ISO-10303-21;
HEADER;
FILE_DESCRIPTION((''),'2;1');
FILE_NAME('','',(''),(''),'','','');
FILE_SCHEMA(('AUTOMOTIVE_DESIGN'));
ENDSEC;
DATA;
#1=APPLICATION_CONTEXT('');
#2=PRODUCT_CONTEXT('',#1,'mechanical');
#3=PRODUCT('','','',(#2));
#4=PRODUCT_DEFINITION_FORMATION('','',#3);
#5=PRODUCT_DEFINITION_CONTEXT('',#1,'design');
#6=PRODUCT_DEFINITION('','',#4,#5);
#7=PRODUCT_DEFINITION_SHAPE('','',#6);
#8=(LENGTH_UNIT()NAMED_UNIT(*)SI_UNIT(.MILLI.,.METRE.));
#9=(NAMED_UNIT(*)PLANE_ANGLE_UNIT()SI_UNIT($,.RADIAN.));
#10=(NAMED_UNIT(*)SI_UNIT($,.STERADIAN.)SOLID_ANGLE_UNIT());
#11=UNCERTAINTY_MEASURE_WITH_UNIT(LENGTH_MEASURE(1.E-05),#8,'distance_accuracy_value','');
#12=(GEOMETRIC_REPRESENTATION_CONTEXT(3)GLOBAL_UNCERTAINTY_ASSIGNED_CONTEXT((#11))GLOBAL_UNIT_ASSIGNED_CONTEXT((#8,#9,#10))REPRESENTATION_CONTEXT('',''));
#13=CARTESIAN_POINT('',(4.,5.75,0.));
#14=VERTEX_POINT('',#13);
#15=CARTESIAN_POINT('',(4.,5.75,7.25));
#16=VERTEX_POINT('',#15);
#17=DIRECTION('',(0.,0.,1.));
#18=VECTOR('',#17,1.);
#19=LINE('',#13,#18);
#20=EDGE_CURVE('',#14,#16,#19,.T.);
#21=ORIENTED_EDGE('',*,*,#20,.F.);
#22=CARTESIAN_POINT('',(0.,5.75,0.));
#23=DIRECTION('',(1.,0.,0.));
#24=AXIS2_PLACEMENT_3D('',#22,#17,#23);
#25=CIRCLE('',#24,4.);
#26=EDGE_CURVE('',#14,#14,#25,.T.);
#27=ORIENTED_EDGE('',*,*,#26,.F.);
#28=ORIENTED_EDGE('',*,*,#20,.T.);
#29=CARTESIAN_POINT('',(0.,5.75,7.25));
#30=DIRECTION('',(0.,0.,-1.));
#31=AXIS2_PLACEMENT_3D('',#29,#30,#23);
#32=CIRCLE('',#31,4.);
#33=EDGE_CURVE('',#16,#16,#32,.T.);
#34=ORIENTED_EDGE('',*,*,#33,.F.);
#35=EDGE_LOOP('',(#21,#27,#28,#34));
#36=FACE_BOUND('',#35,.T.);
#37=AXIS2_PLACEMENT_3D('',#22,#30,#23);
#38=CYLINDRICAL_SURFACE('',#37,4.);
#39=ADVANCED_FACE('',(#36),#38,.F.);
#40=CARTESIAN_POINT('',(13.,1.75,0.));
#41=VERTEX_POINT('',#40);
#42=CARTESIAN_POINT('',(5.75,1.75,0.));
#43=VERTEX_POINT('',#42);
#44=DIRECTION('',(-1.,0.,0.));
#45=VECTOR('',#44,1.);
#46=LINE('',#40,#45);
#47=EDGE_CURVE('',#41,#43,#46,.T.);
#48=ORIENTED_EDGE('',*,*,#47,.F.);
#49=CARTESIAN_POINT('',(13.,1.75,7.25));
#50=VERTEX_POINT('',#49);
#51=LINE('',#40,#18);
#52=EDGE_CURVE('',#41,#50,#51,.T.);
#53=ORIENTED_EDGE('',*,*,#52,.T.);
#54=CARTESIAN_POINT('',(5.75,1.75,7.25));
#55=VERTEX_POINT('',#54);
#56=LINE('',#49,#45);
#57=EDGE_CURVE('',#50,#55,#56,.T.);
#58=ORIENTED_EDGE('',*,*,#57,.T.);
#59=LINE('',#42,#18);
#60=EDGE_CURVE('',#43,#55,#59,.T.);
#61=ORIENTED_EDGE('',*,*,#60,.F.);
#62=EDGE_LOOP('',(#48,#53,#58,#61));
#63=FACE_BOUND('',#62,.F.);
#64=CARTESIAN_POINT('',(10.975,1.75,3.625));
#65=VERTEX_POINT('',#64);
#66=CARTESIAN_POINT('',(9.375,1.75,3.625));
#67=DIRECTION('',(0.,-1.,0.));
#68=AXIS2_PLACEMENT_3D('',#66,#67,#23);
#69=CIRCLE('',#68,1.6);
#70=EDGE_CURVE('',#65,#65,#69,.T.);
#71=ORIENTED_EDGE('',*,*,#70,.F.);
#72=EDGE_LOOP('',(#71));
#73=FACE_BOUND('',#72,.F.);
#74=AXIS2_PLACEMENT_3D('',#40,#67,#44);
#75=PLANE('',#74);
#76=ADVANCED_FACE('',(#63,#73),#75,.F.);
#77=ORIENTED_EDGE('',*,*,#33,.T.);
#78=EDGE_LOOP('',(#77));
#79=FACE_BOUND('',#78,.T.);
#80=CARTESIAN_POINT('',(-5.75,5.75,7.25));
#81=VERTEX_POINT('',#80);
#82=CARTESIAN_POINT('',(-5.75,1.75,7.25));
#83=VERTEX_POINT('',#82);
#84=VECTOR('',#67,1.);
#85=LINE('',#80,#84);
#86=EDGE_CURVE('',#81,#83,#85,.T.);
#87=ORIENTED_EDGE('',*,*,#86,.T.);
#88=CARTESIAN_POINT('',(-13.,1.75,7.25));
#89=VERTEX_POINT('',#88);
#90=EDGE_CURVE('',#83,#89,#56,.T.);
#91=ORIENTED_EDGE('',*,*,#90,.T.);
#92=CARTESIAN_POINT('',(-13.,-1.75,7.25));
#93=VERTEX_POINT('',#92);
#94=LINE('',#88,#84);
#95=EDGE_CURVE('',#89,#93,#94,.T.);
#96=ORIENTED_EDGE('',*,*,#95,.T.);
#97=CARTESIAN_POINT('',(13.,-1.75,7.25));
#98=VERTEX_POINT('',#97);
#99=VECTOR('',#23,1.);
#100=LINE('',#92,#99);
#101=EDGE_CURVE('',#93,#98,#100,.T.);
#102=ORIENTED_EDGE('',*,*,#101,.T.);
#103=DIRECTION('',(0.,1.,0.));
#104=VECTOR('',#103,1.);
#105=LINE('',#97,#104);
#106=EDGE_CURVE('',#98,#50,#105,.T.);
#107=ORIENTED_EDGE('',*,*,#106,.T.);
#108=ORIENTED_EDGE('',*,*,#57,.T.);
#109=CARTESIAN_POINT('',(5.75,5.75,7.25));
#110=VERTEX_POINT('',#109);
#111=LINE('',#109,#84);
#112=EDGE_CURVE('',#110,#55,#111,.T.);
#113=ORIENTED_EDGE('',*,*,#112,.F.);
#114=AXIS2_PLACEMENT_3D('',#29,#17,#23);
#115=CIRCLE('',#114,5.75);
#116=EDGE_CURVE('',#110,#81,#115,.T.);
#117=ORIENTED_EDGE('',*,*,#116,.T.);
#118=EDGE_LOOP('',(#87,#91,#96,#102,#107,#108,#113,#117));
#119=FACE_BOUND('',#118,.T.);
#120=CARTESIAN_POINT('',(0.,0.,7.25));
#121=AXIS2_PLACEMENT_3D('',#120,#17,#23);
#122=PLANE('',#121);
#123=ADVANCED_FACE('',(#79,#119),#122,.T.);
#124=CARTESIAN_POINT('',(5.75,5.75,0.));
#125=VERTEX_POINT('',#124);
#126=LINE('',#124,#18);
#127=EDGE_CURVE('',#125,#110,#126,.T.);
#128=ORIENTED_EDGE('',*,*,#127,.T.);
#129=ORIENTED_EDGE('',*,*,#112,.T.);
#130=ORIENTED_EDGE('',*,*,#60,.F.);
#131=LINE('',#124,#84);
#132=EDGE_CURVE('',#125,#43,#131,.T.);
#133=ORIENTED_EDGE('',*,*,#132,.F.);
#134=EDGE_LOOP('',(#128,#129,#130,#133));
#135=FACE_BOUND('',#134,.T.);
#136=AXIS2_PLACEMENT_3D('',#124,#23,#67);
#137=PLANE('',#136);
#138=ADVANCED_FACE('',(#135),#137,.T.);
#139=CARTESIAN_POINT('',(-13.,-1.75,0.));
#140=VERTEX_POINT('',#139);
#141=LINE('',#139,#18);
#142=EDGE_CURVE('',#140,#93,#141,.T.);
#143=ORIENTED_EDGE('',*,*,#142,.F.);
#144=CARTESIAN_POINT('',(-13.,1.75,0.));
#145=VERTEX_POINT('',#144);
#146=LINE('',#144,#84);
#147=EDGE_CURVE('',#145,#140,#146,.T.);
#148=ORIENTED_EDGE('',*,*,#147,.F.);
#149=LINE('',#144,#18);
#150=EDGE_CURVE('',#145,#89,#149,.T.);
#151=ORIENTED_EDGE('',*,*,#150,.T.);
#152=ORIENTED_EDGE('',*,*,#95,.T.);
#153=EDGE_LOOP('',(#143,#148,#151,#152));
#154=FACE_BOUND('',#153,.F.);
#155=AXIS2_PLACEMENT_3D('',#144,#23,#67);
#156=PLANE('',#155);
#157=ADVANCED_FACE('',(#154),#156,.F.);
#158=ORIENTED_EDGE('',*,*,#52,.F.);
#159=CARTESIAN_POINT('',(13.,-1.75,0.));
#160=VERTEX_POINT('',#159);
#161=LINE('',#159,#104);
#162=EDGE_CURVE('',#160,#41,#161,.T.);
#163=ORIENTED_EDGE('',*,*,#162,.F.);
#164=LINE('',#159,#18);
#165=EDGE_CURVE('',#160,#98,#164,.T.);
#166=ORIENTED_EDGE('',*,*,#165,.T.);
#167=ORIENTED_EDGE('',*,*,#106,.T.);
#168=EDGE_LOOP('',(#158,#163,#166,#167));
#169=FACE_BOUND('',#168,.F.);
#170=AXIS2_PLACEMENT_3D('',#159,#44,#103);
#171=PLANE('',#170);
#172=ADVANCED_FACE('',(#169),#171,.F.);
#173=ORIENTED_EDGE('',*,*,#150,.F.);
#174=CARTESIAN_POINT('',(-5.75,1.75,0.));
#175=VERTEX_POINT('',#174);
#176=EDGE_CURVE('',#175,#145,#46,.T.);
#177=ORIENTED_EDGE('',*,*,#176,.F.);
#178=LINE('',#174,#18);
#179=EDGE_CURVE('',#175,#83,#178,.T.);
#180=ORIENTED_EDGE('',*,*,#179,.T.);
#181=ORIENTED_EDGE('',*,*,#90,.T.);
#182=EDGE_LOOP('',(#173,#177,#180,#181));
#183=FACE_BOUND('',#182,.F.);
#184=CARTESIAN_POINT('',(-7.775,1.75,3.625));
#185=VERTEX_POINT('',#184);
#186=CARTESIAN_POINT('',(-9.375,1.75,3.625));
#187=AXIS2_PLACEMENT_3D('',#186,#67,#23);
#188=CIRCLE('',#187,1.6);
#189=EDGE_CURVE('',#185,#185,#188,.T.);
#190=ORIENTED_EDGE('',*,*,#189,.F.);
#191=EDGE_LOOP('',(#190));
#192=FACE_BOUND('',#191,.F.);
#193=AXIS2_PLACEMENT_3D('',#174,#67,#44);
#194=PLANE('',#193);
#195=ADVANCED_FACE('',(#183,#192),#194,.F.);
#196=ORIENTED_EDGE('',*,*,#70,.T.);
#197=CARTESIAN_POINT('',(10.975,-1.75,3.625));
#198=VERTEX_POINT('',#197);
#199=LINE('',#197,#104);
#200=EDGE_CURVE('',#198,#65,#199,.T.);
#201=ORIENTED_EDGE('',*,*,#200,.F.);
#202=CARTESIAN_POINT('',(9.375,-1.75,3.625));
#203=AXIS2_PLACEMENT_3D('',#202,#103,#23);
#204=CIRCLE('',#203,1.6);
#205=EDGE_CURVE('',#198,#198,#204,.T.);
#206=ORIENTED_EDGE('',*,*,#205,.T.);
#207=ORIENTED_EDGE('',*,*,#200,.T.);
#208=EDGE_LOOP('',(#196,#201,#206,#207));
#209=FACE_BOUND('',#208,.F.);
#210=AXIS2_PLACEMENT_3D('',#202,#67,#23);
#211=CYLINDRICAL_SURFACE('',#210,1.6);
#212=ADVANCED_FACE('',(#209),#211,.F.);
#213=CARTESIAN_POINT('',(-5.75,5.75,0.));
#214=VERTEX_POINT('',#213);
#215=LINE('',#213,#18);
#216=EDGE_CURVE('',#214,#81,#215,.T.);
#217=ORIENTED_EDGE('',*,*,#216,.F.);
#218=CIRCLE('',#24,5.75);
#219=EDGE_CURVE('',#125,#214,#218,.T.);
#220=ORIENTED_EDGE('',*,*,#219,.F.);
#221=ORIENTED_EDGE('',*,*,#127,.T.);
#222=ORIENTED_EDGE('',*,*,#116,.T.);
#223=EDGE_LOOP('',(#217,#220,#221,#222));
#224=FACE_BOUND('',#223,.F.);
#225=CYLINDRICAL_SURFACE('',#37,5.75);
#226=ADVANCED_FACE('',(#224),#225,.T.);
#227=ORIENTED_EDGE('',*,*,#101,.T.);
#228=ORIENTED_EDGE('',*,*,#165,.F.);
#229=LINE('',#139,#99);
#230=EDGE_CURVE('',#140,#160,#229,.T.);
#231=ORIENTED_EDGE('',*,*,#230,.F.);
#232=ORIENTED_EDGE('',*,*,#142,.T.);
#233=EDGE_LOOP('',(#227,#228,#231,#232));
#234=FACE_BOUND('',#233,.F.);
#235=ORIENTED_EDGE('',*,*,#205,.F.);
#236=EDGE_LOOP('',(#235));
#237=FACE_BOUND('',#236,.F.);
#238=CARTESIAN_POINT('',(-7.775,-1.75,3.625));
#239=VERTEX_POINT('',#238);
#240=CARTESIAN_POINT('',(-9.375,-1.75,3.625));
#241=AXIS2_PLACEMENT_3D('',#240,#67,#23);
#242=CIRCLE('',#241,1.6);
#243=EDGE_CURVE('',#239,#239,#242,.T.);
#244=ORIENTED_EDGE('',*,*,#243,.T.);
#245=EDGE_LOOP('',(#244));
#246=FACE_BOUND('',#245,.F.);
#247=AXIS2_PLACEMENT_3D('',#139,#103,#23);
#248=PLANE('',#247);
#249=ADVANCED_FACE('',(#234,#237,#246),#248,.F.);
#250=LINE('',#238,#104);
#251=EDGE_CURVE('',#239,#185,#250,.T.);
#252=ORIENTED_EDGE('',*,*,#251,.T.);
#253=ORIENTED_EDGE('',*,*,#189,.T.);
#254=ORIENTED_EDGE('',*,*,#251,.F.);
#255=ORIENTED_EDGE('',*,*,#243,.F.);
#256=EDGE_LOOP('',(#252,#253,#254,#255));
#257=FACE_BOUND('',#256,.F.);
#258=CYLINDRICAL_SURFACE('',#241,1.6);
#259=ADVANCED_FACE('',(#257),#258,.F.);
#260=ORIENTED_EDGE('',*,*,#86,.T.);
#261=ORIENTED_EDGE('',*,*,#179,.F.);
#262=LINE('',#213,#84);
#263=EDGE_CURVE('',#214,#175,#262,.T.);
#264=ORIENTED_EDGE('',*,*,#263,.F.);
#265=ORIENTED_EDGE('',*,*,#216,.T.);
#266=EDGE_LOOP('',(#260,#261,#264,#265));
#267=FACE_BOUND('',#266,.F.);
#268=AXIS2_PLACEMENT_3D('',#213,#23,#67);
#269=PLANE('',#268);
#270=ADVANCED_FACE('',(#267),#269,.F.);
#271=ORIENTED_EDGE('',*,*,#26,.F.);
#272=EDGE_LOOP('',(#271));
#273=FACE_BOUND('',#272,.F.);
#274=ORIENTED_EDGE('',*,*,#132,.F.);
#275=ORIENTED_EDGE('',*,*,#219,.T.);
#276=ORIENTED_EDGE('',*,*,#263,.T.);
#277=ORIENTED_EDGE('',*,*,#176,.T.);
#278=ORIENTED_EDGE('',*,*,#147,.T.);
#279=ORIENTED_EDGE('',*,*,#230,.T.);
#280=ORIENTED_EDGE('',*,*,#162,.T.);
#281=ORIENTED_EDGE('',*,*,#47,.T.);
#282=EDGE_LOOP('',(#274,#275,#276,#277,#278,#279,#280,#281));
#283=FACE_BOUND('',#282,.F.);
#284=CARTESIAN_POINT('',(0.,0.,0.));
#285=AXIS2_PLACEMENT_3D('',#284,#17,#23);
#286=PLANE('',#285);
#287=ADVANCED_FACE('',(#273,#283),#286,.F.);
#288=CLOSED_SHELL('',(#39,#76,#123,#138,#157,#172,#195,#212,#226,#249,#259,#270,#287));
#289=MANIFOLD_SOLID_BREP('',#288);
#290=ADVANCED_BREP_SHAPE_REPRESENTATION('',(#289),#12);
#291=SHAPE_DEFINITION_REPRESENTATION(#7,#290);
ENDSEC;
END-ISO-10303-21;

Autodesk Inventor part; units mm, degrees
ref_plane "YZ Plane" through (0, 0, 0) normal (1, 0, 0) x (0, 1, 0)
ref_plane "XZ Plane" through (0, 0, 0) normal (0, 1, 0) x (-1, 0, 0)
ref_plane "XY Plane" through (0, 0, 0) normal (0, 0, 1) x (1, 0, 0)
sketch "Sketch1" plane through (0, 0, 0) normal (0, 0, 1) x (1, 0, 0)
  line L0 (-13, -1.75) -> (13, -1.75)
  line L1 (13, -1.75) -> (13, 1.75)
  line L2 (13, 1.75) -> (-13, 1.75)
  line L3 (-13, 1.75) -> (-13, -1.75)
  line L4 (-13, -1.75) -> (13, 1.75) construction
  line L5 (13, -1.75) -> (-13, 1.75) construction
  line L6 (0, 1.75) -> (0, 5.75)
  circle A0 centre (0, 5.75) radius 4
  circle A1 centre (0, 5.75) radius 5.75
  line L7 (-5.75, 5.75) -> (-5.75, 1.75)
  line L8 (5.75, 5.75) -> (5.75, 1.75)
  point P0 (0, 0)
  dimension "d0" = 26
  dimension "d1" = 3.5
  dimension "d2" = 4
  dimension "d3" = 8
  dimension "d4" = 11.5
extrude "Extrusion1" add sketch "Sketch1" along normal blind 7.25
sketch "Sketch2" plane through (-13, -1.75, 0) normal (0, -1, 0) x (1, 0, 0)
  line L0 (13, 0) -> (13, 7.25)
  line L1 (9, 7.25) -> (17, 7.25) projected
  line L2 (13, 3.625) -> (22.375, 3.625)
  line L3 (22.375, 3.625) -> (3.625, 3.625)
  circle A0 centre (22.375, 3.625) radius 1.6
  circle A1 centre (3.625, 3.625) radius 1.6
  dimension "d7" = 9.375
  dimension "d8" = 18.75
  dimension "d9" = 3.2
  dimension "d10" = 3.2
extrude "Extrusion2" cut sketch "Sketch2" against normal blind 7.25
properties part number "Mauch_Power_Button_Bracket" material "ABS Plastic"
